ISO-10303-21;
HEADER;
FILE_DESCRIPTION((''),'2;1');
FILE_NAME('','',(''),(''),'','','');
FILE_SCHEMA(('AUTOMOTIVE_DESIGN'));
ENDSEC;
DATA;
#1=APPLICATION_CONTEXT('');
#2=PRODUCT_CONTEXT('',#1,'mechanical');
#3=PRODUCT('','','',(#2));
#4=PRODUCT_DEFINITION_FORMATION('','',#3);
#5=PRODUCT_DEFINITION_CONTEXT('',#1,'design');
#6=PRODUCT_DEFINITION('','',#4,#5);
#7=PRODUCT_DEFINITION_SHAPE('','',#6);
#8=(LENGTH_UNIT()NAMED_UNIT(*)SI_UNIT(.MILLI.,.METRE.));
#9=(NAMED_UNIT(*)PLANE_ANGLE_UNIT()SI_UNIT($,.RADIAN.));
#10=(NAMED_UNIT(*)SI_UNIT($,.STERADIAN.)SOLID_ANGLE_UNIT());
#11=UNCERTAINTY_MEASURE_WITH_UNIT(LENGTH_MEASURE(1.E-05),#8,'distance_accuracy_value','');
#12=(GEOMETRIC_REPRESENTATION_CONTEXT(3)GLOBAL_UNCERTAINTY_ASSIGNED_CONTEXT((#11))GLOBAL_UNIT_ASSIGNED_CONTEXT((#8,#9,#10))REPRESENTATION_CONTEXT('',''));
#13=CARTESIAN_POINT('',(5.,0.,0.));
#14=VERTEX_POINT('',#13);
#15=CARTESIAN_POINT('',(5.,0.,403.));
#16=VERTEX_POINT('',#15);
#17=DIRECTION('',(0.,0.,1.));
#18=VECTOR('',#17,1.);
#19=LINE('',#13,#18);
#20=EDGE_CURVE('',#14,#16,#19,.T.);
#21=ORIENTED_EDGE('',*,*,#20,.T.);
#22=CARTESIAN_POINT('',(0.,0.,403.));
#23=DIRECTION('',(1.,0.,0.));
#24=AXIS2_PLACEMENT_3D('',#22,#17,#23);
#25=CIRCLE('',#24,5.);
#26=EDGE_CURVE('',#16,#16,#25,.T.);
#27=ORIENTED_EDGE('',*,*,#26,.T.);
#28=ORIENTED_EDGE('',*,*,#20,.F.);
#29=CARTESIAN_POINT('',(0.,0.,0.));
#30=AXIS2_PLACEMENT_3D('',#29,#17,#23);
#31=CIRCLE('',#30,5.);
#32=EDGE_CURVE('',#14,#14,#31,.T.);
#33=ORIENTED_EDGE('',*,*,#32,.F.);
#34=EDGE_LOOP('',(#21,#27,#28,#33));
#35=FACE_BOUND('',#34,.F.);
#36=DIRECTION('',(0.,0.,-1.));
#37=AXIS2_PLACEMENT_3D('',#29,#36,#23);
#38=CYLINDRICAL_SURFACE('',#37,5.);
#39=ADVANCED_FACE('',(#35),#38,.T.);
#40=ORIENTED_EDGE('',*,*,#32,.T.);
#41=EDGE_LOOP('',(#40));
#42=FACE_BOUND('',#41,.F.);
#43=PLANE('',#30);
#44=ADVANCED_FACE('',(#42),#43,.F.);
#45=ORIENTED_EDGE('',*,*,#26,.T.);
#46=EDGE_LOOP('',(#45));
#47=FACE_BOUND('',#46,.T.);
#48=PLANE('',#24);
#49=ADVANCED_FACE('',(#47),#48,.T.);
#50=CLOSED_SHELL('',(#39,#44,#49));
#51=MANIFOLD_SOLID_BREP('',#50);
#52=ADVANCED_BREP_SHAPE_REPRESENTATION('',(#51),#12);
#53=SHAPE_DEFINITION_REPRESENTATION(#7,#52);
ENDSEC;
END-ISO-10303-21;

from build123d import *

# Parameters (mm, degrees)
SKETCH_R  = 5
PAD_DEPTH = 403


with BuildPart() as part:
    # Sketch → Pad (new body)
    with BuildSketch(Plane.XY):
        Circle(SKETCH_R)
    extrude(amount=PAD_DEPTH)


solid = part.part
